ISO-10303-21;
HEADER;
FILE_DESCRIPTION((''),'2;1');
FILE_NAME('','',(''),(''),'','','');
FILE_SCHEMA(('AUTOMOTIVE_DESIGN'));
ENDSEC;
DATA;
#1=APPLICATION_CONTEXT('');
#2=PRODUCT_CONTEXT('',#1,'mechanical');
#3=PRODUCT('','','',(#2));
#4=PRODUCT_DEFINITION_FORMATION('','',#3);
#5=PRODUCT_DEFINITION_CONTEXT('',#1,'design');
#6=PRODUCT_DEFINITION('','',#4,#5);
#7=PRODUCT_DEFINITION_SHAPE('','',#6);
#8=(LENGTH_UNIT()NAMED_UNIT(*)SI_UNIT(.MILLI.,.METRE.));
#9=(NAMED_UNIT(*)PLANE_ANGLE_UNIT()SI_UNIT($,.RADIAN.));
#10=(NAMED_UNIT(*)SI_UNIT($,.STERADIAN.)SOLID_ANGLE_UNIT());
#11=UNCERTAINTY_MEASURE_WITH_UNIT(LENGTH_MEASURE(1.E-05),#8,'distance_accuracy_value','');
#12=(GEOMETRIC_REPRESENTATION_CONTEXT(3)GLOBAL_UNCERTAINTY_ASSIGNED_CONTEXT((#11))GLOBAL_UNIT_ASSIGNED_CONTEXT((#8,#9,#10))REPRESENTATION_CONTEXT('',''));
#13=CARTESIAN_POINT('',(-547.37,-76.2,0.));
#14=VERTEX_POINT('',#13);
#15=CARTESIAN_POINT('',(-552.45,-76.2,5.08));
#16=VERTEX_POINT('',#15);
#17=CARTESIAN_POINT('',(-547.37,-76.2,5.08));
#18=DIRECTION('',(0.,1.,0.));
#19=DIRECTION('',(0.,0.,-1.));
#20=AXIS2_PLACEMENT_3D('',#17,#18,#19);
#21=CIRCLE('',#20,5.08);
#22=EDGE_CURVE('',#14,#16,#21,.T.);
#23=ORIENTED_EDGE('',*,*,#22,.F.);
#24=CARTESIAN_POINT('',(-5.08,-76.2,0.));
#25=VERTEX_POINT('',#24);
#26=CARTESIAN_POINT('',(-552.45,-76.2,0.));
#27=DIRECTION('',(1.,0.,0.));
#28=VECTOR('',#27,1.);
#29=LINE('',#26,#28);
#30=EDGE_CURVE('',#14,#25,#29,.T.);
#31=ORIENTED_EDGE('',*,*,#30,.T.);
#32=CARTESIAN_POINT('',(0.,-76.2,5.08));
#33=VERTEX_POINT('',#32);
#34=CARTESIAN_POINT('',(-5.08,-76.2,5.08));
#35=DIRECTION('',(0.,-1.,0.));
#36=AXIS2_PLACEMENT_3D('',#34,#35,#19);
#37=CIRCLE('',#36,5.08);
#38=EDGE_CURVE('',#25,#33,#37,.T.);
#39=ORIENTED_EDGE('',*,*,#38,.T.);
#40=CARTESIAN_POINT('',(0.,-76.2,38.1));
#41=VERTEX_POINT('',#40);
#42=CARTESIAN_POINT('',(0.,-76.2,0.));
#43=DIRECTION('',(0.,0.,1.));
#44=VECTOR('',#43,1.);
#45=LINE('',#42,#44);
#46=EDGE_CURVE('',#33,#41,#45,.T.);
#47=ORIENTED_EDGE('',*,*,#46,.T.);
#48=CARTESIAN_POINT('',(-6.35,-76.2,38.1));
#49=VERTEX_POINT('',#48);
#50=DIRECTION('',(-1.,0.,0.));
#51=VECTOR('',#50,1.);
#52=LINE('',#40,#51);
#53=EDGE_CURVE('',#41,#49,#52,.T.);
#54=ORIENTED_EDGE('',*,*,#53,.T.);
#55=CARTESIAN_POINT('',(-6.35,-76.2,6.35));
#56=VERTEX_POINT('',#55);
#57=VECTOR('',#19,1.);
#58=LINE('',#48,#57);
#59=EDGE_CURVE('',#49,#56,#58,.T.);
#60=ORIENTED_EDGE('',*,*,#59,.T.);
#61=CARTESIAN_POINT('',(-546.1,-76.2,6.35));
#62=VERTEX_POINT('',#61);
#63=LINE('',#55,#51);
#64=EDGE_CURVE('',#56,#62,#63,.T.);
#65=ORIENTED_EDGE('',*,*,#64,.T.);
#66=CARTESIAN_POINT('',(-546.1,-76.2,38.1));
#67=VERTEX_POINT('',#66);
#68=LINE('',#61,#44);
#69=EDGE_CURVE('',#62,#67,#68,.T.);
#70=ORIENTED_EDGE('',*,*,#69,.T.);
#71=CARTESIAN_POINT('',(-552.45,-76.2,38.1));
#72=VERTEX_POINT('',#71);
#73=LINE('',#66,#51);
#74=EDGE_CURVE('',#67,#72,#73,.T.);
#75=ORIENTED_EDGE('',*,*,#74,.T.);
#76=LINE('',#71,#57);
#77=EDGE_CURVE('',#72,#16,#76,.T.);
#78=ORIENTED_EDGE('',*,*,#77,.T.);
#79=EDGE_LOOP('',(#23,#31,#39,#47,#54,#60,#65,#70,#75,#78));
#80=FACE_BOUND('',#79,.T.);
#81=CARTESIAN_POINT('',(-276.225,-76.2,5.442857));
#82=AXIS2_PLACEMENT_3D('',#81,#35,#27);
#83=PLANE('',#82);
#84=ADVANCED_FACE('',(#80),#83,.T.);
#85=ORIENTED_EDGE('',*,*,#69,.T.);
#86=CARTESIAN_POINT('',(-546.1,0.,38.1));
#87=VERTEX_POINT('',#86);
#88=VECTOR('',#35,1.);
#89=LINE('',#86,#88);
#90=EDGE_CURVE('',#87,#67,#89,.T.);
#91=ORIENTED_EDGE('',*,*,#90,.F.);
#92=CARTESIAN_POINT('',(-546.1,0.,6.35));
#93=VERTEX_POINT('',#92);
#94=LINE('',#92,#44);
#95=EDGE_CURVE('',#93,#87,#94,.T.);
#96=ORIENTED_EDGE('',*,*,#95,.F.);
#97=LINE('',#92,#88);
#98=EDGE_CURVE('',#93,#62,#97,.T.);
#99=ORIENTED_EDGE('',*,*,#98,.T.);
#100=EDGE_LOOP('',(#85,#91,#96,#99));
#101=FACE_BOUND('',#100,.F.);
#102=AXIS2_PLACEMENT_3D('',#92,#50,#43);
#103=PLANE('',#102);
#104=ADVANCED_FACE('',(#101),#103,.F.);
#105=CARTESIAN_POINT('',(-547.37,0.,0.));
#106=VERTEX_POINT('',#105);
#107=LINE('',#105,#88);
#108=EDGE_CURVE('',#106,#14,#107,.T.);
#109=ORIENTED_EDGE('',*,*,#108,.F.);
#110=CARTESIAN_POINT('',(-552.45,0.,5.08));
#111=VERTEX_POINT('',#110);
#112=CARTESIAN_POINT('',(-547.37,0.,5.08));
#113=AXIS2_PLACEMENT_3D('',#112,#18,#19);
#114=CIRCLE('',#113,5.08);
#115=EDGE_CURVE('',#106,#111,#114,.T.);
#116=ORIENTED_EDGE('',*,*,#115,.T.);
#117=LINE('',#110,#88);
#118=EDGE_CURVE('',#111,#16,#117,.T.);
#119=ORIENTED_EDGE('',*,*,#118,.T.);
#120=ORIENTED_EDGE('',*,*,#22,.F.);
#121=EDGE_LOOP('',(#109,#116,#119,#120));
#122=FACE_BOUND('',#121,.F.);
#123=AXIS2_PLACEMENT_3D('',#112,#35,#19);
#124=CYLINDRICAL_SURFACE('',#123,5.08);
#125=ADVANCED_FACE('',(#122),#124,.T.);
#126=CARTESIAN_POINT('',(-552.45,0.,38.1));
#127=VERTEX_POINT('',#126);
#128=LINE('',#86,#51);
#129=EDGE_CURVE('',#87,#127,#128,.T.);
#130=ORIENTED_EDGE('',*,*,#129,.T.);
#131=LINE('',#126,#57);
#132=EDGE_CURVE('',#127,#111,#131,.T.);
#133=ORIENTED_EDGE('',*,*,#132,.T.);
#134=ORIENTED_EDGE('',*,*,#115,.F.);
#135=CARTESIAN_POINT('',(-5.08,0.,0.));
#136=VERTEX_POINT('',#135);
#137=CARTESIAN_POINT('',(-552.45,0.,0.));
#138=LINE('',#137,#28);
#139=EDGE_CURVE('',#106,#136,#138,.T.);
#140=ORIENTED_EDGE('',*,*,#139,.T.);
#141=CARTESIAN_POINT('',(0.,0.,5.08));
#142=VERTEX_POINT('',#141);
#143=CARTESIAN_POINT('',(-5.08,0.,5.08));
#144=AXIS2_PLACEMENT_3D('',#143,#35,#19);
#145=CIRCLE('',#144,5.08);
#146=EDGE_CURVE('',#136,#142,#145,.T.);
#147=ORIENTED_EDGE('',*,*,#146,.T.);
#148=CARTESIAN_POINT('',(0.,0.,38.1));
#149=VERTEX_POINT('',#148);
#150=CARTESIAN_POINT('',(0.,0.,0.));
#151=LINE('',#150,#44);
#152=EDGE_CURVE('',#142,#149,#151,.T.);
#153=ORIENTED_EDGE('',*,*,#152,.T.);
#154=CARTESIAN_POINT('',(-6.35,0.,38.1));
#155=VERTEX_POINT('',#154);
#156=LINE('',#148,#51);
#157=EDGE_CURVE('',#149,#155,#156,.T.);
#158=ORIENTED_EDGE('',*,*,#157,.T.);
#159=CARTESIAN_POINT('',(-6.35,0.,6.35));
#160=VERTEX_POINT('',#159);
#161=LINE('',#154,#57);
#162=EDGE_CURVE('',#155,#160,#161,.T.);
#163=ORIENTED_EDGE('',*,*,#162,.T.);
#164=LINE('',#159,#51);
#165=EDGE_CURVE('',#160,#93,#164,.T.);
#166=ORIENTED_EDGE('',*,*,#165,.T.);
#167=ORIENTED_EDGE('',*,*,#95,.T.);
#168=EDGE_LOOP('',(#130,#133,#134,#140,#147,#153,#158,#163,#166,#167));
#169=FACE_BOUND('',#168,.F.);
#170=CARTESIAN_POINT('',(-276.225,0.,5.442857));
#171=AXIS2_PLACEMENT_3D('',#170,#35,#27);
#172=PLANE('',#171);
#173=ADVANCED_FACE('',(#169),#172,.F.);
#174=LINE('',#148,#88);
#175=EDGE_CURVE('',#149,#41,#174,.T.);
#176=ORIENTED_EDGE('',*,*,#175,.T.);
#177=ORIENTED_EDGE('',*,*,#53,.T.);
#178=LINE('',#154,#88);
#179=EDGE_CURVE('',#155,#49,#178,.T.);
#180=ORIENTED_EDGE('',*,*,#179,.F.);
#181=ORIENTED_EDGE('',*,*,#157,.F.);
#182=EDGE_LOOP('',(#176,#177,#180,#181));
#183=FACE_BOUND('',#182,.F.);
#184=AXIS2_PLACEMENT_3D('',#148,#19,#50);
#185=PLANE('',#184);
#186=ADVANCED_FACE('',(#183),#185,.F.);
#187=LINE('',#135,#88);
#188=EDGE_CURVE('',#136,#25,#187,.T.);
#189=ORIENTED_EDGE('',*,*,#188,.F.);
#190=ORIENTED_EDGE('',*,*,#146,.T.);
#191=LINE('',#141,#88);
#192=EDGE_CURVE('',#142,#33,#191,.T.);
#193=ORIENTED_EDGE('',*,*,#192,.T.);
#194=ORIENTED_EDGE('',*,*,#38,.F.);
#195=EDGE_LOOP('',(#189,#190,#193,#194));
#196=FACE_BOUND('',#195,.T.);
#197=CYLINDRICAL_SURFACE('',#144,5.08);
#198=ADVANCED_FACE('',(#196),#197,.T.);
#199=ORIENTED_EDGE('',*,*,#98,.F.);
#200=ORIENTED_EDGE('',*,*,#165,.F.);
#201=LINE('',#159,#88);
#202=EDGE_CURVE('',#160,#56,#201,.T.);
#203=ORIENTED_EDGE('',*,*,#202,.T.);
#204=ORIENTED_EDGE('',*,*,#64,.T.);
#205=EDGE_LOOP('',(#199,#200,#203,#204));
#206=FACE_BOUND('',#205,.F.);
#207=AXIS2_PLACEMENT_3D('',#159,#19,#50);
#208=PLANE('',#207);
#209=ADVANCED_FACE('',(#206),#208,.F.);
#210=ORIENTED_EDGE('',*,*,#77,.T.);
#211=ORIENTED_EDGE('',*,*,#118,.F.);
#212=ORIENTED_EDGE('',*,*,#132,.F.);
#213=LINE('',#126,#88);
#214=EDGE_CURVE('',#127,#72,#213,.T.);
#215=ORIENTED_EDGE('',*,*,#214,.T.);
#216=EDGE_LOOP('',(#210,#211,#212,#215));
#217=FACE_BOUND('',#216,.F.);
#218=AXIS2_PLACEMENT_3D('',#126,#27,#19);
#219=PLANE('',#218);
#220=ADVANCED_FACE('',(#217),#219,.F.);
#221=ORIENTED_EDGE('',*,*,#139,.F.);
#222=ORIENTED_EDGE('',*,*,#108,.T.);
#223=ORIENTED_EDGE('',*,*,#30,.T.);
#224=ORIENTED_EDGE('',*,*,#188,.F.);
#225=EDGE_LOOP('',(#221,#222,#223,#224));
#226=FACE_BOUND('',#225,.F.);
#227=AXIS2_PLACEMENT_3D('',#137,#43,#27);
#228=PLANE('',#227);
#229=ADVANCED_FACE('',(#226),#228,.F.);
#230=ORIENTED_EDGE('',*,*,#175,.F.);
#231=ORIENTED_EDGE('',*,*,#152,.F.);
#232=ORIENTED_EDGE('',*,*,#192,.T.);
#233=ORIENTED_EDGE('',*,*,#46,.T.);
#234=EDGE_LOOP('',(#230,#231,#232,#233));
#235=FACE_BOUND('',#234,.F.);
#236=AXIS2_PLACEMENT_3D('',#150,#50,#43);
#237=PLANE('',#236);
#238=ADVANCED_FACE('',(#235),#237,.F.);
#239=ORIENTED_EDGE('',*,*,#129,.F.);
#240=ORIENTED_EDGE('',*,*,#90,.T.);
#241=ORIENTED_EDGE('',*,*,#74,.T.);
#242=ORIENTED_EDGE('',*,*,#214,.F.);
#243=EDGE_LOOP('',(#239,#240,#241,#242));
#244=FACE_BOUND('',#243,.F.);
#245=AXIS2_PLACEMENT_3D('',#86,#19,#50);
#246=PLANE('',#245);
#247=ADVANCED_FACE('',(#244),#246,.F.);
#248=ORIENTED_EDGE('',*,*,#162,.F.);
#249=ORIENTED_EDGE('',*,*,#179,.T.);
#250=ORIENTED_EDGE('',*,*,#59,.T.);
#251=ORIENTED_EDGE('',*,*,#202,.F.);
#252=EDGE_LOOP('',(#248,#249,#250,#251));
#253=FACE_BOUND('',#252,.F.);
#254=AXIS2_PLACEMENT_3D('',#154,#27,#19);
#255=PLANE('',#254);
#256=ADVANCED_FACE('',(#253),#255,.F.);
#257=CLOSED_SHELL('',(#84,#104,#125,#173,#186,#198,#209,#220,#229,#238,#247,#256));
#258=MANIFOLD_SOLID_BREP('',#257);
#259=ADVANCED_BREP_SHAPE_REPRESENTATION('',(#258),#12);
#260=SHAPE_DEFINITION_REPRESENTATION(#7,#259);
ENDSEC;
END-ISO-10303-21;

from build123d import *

# Parameters (mm, degrees)
F1_DEPTH = 76.2
F2_R     = 5.08
F3_R     = 5.08


with BuildPart() as f1:
    # F0 (on Front) → F1 (new body)
    with BuildSketch(Plane.XZ):
        Polygon((-552.45, 0), (0, 0), (0, 38.1), (-6.35, 38.1), (-6.35, 6.35), (-546.1, 6.35), (-546.1, 38.1), (-552.45, 38.1), (-552.45, 6.35), align=None)
    extrude(amount=F1_DEPTH)

    # F2
    f2_edges = [f1.edges().sort_by_distance(p)[0] for p in [
        (-552.45, -38.1, 0),
    ]]
    fillet(f2_edges, radius=F2_R)

    # F3
    f3_edges = [f1.edges().sort_by_distance(p)[0] for p in [
        (0, -38.1, 0),
    ]]
    fillet(f3_edges, radius=F3_R)


solid = f1.part
